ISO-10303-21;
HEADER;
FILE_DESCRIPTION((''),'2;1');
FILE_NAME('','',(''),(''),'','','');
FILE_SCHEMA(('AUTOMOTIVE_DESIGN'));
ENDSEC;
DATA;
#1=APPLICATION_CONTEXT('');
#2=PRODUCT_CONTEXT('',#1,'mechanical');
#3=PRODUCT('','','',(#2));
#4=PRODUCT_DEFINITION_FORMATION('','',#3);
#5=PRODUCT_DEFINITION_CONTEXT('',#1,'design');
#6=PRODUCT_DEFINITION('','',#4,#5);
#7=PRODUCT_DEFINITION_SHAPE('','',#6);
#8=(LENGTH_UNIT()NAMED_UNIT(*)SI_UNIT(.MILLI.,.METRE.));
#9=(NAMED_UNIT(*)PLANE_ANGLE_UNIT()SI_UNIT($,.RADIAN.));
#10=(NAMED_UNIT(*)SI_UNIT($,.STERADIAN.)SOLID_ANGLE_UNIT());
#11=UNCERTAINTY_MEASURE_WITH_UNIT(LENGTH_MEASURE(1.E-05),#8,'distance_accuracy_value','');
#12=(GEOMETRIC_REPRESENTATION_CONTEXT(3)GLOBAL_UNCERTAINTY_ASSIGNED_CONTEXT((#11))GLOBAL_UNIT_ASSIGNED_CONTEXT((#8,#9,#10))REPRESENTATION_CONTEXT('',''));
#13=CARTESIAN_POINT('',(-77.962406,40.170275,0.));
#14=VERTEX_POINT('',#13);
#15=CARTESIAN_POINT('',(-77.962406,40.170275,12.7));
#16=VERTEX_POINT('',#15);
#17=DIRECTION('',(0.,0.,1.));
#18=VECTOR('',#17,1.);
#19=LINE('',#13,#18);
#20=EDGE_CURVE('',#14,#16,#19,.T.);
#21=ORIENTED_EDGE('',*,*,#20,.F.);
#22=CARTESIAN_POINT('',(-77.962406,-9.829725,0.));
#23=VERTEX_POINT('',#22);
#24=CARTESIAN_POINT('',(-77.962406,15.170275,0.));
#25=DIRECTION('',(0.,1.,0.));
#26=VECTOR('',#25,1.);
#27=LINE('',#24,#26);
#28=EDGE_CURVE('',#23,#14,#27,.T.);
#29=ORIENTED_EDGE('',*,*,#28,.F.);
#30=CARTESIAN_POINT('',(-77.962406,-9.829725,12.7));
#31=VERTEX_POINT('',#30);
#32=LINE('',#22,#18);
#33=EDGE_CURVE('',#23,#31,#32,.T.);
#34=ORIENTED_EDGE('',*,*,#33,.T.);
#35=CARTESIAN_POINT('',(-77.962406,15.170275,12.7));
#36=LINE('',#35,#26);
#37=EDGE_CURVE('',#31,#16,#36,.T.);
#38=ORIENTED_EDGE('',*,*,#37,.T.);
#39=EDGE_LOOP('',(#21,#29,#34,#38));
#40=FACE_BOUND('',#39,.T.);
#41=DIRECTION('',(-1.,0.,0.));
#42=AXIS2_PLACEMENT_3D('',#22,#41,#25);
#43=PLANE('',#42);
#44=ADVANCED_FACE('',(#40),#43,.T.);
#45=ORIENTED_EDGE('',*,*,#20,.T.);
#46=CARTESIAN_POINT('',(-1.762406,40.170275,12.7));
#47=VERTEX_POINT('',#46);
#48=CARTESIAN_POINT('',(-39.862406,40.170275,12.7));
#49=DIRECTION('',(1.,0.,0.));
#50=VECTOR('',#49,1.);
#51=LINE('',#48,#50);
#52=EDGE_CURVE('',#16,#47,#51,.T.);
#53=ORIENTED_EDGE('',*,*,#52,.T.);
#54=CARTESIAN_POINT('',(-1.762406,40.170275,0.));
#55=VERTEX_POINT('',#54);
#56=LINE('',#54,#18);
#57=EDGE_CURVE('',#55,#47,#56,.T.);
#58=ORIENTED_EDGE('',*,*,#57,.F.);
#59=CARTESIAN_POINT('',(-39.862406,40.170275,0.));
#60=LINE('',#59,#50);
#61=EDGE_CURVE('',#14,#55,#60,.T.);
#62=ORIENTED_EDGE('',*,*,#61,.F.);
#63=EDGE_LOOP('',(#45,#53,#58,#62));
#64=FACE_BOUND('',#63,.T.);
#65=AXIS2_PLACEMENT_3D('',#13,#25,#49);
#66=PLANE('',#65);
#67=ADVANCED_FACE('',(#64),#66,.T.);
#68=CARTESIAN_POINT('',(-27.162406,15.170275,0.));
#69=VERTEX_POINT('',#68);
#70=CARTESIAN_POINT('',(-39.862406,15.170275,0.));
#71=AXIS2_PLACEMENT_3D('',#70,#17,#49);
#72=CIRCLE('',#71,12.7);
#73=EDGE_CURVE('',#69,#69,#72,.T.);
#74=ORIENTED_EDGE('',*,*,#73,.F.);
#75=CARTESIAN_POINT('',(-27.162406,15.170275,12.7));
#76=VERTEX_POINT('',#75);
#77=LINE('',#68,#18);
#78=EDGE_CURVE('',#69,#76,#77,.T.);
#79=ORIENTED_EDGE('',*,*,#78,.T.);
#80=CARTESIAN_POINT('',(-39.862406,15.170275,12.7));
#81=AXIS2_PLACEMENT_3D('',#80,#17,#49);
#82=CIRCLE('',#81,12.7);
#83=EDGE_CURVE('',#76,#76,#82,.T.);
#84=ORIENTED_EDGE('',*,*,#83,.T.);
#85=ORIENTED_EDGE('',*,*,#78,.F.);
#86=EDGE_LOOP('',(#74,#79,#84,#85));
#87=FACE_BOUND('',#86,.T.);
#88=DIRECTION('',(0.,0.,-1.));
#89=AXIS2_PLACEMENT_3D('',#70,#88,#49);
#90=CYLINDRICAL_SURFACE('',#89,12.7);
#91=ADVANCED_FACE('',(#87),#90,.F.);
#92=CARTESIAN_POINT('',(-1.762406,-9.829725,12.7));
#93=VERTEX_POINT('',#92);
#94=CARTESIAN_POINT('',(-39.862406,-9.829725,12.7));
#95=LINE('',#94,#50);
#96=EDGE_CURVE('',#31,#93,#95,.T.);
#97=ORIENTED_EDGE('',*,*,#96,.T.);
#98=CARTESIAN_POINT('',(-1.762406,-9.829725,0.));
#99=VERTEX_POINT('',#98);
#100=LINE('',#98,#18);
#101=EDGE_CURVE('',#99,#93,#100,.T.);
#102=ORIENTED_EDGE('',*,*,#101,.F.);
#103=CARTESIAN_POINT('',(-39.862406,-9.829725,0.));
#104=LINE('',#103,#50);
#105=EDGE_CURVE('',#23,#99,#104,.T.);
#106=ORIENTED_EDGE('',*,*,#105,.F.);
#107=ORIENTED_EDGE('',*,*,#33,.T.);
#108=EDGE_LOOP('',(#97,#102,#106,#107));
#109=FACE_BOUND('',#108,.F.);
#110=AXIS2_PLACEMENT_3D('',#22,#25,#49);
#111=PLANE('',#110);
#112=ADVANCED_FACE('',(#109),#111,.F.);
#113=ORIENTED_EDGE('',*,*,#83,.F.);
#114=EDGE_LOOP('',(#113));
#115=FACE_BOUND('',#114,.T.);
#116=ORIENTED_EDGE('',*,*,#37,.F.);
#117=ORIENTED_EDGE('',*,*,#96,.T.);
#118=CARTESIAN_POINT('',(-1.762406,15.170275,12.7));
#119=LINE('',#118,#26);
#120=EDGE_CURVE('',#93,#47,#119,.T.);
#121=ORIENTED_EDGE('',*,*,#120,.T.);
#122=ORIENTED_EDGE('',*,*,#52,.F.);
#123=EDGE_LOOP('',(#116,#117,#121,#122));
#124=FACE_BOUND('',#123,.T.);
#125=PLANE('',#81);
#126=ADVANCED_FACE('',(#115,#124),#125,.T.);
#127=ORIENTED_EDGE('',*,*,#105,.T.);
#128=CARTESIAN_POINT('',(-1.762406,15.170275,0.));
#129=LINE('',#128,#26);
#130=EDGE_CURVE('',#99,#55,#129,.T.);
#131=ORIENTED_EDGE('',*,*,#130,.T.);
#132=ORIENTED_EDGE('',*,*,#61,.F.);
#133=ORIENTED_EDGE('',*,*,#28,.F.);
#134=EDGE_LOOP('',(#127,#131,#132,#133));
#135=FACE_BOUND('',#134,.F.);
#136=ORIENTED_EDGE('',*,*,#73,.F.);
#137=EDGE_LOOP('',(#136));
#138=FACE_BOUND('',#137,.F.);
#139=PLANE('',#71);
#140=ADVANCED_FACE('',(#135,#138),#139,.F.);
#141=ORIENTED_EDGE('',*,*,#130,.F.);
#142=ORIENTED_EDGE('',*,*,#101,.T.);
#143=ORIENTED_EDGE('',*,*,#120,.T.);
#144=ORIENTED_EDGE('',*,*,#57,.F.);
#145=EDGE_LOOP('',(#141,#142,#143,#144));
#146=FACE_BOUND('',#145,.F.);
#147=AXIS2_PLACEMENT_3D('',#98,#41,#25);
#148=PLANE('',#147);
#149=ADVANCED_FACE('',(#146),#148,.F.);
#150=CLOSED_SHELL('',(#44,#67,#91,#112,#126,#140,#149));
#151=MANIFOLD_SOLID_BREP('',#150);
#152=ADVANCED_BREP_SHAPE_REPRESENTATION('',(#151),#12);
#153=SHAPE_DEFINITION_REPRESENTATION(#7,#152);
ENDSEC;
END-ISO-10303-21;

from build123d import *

# Parameters (mm, degrees)
F1_W     = 76.2
F1_H     = 50
F1_R     = 12.7
F2_DEPTH = 12.7


with BuildPart() as f2:
    # F1 (on face) → F2 (new body)
    with BuildSketch(Plane.XY):
        with Locations((-39.862406, 15.170275)):
            Rectangle(F1_W, F1_H)
        with Locations((-39.862406, 15.170275)):
            Circle(F1_R, mode=Mode.SUBTRACT)
    extrude(amount=F2_DEPTH)


solid = f2.part
